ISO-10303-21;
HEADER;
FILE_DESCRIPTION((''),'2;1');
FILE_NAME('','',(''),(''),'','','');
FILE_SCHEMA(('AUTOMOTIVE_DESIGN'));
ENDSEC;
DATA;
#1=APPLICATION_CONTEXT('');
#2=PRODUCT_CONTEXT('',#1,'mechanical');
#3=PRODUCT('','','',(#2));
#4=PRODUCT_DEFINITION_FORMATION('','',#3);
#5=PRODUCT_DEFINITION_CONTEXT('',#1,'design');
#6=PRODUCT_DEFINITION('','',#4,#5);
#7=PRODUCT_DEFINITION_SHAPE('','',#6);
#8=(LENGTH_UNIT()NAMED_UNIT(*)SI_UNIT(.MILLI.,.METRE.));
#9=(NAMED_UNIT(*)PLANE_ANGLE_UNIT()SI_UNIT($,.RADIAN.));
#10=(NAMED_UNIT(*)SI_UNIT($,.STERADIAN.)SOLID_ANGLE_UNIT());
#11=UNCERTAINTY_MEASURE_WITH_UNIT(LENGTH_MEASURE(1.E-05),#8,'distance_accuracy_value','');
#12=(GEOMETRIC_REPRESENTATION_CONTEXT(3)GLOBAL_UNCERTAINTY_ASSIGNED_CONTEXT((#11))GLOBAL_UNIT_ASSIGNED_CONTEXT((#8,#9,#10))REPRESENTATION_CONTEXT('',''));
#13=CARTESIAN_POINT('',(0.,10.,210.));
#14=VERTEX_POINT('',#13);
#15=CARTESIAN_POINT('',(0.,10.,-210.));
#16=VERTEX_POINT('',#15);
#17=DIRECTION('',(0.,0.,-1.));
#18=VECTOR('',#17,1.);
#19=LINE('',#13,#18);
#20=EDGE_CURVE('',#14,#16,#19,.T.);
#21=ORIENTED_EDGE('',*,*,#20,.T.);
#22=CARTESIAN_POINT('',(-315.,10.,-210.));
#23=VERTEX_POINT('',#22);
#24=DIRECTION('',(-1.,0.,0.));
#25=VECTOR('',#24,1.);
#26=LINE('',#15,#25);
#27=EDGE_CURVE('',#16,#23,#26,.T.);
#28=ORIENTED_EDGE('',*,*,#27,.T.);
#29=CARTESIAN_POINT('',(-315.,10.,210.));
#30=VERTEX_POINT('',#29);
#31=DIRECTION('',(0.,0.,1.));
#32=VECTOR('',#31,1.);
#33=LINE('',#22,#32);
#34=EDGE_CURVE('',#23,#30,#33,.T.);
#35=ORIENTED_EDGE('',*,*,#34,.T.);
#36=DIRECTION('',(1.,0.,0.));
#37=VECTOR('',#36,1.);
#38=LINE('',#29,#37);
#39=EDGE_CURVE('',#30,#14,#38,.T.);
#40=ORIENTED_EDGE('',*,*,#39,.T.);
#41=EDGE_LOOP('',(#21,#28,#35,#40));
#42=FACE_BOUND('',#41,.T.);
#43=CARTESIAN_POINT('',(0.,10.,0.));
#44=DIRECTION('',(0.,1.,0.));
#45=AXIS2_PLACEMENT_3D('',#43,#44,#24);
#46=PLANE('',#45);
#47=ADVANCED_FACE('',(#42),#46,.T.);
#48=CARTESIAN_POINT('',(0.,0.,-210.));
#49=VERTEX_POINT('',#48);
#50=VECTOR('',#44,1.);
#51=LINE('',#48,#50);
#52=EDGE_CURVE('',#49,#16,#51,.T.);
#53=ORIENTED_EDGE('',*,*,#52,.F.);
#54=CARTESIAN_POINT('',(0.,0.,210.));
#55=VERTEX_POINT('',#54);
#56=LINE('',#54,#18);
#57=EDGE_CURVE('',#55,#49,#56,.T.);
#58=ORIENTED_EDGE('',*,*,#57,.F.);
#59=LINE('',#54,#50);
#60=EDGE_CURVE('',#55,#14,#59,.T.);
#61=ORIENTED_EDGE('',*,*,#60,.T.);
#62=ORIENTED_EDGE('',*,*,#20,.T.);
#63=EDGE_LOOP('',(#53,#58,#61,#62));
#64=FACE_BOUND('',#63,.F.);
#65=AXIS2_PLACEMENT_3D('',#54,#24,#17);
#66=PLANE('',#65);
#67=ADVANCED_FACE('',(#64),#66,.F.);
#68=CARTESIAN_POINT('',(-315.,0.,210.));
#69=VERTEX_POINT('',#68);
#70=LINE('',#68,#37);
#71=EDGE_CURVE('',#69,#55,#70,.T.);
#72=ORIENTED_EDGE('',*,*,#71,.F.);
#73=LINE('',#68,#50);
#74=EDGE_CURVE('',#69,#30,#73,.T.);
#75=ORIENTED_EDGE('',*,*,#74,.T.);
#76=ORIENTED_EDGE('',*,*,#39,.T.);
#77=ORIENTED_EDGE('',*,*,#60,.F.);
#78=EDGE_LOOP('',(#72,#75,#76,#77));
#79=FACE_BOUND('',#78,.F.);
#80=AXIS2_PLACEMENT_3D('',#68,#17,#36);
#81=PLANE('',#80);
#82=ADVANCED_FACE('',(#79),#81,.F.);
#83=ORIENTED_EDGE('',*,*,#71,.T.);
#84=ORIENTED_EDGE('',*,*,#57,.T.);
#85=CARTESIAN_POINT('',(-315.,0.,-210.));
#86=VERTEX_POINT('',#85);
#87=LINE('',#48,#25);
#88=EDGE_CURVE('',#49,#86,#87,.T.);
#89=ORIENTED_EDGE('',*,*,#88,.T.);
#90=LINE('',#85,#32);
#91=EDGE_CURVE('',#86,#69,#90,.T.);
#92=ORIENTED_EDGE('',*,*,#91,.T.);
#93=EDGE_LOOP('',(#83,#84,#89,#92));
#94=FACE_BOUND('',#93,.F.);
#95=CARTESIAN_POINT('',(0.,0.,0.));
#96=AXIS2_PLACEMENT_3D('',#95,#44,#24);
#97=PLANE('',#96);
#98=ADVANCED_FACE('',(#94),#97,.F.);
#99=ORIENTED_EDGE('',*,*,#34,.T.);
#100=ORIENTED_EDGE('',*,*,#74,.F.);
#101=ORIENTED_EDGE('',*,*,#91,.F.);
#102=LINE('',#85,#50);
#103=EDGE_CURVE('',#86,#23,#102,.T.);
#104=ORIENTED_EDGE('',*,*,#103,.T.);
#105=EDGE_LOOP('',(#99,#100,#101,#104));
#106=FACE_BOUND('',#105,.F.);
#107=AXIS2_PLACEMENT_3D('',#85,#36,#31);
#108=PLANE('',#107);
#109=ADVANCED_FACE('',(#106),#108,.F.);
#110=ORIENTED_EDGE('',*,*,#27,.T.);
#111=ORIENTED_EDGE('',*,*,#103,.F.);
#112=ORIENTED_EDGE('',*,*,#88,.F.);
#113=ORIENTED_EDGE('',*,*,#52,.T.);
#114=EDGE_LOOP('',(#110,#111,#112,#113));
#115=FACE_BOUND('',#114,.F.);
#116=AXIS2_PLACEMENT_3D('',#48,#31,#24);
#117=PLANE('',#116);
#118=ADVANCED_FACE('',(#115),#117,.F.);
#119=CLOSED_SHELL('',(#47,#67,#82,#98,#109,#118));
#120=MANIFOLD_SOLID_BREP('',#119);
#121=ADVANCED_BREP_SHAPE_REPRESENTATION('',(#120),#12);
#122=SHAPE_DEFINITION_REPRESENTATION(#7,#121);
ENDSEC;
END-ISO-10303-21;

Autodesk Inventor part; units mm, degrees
ref_plane "YZ Plane" through (0, 0, 0) normal (1, 0, 0) x (0, 1, 0)
ref_plane "XZ Plane" through (0, 0, 0) normal (0, 1, 0) x (-1, 0, 0)
ref_plane "XY Plane" through (0, 0, 0) normal (0, 0, 1) x (1, 0, 0)
sketch "스케치1" plane through (0, 0, 0) normal (0, 1, 0) x (-1, 0, 0)
  line L0 (315, 210) -> (0, 210)
  line L1 (0, 210) -> (0, -210)
  line L2 (0, -210) -> (315, -210)
  line L3 (315, -210) -> (315, 210)
  point P0 (0, 0)
  point P1 (0, 0)
  dimension "d0" = 315
  dimension "d1" = 420
extrude "돌출1" add sketch "스케치1" along normal blind 10
properties part number "키보드 받침"
